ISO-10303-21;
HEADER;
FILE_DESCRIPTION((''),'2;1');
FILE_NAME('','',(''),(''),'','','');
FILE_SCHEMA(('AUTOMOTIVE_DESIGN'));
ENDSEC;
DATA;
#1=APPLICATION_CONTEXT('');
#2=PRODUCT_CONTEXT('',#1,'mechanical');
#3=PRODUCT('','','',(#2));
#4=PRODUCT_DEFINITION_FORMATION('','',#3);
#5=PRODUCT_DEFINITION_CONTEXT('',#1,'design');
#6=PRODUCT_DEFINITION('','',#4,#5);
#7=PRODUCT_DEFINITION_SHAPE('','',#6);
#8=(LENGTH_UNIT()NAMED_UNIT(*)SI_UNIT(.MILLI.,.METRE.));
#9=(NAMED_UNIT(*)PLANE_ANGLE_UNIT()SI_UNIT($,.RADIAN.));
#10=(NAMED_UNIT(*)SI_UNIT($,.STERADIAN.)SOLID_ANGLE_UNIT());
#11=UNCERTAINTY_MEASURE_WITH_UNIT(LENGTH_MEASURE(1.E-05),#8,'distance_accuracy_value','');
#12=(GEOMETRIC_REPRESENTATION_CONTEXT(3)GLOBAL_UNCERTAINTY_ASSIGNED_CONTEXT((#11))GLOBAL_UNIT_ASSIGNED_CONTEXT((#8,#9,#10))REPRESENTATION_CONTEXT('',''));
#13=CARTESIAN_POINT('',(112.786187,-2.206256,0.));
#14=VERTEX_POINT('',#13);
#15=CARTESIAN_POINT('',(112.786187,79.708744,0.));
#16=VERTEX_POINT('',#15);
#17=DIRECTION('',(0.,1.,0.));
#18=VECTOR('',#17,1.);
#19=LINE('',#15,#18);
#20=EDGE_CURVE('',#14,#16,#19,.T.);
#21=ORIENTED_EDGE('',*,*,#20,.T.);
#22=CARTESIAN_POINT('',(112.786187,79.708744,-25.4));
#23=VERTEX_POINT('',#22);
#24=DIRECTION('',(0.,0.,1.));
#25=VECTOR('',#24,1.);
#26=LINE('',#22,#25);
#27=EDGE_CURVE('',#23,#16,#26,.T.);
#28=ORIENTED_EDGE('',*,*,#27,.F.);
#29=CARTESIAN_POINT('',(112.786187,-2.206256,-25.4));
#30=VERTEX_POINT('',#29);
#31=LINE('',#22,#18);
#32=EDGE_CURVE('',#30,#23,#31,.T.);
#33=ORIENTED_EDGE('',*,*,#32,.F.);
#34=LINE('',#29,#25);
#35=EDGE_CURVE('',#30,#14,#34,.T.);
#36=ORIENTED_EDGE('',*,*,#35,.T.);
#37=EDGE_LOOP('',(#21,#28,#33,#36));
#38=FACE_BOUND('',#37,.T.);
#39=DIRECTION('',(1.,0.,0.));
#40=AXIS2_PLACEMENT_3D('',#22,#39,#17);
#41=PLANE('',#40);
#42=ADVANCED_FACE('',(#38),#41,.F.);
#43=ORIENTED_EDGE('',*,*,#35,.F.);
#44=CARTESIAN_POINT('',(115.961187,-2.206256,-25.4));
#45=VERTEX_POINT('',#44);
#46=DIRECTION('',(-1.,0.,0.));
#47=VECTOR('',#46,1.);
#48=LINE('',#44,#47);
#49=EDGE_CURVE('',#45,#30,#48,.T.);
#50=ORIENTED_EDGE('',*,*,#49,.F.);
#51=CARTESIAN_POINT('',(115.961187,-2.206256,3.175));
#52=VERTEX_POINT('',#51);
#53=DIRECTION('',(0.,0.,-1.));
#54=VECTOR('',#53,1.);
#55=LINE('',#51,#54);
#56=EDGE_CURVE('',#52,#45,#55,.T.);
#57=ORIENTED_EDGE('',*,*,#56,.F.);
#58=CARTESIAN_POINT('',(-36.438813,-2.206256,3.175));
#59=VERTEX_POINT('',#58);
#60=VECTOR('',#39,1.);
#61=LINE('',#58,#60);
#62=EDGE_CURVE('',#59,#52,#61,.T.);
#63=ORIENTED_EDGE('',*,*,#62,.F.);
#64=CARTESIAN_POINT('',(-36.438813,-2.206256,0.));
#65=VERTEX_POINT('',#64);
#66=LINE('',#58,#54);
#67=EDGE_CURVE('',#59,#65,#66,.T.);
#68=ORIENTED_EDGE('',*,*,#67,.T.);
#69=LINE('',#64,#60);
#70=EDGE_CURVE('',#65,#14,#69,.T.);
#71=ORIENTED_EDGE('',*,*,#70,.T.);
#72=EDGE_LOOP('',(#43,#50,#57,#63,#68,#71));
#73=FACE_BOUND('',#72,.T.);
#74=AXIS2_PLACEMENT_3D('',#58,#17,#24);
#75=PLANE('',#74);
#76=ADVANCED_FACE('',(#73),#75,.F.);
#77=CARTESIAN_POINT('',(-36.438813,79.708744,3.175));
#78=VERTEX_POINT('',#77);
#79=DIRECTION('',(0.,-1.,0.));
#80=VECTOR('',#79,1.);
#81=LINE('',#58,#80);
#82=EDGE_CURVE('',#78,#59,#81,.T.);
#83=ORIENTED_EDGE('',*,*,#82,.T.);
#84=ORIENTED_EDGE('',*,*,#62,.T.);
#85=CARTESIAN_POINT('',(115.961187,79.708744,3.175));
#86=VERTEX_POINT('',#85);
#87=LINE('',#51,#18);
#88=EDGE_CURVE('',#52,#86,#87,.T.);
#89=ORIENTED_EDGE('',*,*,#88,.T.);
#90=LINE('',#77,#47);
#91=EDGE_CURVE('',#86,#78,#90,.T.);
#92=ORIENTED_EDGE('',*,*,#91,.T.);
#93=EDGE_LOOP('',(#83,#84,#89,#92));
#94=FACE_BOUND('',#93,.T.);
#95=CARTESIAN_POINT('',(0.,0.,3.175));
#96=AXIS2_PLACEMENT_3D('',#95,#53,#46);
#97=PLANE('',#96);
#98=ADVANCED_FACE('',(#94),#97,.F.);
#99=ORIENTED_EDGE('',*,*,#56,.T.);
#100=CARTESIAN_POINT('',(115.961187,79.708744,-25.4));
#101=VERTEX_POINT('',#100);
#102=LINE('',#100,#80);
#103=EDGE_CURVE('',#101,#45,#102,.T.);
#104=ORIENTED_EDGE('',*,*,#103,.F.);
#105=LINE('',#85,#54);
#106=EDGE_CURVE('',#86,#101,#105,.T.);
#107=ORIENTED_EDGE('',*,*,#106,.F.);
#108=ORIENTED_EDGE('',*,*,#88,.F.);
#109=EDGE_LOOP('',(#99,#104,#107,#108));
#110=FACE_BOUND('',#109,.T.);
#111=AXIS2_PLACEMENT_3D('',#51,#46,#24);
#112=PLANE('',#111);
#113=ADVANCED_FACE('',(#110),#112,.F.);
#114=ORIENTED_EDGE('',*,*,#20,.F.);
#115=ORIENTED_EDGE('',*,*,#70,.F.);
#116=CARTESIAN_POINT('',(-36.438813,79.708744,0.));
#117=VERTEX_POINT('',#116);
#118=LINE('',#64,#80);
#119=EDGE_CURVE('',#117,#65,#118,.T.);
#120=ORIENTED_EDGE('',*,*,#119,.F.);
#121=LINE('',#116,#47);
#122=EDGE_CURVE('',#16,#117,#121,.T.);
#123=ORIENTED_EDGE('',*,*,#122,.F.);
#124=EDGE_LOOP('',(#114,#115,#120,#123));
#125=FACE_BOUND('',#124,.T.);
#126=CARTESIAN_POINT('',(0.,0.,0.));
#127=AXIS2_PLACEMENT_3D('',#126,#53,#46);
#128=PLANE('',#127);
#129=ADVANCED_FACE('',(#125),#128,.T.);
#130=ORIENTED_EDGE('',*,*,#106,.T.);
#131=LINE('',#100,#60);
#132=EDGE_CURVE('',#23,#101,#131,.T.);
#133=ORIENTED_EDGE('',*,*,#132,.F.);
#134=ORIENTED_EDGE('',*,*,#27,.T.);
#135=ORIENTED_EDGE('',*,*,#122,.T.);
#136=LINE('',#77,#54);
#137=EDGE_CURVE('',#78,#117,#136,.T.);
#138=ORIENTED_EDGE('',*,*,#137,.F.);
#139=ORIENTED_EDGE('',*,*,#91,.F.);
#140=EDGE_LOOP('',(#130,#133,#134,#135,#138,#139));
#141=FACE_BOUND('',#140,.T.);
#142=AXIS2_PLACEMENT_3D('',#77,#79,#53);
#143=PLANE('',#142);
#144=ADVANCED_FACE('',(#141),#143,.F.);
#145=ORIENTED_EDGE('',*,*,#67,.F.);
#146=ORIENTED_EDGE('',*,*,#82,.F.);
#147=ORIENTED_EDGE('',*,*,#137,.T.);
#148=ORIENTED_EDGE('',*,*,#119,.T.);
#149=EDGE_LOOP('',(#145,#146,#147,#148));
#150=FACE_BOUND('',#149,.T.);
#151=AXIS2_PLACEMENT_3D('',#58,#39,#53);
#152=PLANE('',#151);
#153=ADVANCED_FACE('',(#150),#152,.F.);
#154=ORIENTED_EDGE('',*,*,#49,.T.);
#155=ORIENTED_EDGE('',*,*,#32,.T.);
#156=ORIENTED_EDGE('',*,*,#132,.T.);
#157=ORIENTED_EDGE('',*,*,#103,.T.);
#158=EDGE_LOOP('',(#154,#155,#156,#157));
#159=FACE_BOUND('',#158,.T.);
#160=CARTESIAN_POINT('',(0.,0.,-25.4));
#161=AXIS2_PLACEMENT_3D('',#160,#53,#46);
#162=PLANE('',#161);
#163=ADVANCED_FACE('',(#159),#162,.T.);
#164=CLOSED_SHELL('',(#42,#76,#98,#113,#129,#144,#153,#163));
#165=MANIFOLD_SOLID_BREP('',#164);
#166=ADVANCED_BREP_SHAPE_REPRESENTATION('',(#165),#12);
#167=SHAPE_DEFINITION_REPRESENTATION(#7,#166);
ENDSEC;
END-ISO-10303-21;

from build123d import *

# Parameters (mm, degrees)
SKETCH1_W           = 152.4
SKETCH1_H           = 81.915
BOSS_EXTRUDE2_DEPTH = 3.175
SKETCH4_W           = 3.175
SKETCH4_H           = 81.915
BOSS_EXTRUDE4_DEPTH = 25.4


with BuildPart() as part:
    # Sketch1 → Boss-Extrude2 (new body)
    with BuildSketch(Plane.XY):
        with Locations((39.761186859, 38.751243736)):
            Rectangle(SKETCH1_W, SKETCH1_H)
    extrude(amount=BOSS_EXTRUDE2_DEPTH)

    # Sketch4 → Boss-Extrude4 (add)
    with BuildSketch(Plane(origin=(0, 0, 0), x_dir=(-1, 0, 0), z_dir=(0, 0, -1))):
        with Locations((-114.373686859, 38.751243736)):
            Rectangle(SKETCH4_W, SKETCH4_H)
    extrude(amount=BOSS_EXTRUDE4_DEPTH)


solid = part.part
